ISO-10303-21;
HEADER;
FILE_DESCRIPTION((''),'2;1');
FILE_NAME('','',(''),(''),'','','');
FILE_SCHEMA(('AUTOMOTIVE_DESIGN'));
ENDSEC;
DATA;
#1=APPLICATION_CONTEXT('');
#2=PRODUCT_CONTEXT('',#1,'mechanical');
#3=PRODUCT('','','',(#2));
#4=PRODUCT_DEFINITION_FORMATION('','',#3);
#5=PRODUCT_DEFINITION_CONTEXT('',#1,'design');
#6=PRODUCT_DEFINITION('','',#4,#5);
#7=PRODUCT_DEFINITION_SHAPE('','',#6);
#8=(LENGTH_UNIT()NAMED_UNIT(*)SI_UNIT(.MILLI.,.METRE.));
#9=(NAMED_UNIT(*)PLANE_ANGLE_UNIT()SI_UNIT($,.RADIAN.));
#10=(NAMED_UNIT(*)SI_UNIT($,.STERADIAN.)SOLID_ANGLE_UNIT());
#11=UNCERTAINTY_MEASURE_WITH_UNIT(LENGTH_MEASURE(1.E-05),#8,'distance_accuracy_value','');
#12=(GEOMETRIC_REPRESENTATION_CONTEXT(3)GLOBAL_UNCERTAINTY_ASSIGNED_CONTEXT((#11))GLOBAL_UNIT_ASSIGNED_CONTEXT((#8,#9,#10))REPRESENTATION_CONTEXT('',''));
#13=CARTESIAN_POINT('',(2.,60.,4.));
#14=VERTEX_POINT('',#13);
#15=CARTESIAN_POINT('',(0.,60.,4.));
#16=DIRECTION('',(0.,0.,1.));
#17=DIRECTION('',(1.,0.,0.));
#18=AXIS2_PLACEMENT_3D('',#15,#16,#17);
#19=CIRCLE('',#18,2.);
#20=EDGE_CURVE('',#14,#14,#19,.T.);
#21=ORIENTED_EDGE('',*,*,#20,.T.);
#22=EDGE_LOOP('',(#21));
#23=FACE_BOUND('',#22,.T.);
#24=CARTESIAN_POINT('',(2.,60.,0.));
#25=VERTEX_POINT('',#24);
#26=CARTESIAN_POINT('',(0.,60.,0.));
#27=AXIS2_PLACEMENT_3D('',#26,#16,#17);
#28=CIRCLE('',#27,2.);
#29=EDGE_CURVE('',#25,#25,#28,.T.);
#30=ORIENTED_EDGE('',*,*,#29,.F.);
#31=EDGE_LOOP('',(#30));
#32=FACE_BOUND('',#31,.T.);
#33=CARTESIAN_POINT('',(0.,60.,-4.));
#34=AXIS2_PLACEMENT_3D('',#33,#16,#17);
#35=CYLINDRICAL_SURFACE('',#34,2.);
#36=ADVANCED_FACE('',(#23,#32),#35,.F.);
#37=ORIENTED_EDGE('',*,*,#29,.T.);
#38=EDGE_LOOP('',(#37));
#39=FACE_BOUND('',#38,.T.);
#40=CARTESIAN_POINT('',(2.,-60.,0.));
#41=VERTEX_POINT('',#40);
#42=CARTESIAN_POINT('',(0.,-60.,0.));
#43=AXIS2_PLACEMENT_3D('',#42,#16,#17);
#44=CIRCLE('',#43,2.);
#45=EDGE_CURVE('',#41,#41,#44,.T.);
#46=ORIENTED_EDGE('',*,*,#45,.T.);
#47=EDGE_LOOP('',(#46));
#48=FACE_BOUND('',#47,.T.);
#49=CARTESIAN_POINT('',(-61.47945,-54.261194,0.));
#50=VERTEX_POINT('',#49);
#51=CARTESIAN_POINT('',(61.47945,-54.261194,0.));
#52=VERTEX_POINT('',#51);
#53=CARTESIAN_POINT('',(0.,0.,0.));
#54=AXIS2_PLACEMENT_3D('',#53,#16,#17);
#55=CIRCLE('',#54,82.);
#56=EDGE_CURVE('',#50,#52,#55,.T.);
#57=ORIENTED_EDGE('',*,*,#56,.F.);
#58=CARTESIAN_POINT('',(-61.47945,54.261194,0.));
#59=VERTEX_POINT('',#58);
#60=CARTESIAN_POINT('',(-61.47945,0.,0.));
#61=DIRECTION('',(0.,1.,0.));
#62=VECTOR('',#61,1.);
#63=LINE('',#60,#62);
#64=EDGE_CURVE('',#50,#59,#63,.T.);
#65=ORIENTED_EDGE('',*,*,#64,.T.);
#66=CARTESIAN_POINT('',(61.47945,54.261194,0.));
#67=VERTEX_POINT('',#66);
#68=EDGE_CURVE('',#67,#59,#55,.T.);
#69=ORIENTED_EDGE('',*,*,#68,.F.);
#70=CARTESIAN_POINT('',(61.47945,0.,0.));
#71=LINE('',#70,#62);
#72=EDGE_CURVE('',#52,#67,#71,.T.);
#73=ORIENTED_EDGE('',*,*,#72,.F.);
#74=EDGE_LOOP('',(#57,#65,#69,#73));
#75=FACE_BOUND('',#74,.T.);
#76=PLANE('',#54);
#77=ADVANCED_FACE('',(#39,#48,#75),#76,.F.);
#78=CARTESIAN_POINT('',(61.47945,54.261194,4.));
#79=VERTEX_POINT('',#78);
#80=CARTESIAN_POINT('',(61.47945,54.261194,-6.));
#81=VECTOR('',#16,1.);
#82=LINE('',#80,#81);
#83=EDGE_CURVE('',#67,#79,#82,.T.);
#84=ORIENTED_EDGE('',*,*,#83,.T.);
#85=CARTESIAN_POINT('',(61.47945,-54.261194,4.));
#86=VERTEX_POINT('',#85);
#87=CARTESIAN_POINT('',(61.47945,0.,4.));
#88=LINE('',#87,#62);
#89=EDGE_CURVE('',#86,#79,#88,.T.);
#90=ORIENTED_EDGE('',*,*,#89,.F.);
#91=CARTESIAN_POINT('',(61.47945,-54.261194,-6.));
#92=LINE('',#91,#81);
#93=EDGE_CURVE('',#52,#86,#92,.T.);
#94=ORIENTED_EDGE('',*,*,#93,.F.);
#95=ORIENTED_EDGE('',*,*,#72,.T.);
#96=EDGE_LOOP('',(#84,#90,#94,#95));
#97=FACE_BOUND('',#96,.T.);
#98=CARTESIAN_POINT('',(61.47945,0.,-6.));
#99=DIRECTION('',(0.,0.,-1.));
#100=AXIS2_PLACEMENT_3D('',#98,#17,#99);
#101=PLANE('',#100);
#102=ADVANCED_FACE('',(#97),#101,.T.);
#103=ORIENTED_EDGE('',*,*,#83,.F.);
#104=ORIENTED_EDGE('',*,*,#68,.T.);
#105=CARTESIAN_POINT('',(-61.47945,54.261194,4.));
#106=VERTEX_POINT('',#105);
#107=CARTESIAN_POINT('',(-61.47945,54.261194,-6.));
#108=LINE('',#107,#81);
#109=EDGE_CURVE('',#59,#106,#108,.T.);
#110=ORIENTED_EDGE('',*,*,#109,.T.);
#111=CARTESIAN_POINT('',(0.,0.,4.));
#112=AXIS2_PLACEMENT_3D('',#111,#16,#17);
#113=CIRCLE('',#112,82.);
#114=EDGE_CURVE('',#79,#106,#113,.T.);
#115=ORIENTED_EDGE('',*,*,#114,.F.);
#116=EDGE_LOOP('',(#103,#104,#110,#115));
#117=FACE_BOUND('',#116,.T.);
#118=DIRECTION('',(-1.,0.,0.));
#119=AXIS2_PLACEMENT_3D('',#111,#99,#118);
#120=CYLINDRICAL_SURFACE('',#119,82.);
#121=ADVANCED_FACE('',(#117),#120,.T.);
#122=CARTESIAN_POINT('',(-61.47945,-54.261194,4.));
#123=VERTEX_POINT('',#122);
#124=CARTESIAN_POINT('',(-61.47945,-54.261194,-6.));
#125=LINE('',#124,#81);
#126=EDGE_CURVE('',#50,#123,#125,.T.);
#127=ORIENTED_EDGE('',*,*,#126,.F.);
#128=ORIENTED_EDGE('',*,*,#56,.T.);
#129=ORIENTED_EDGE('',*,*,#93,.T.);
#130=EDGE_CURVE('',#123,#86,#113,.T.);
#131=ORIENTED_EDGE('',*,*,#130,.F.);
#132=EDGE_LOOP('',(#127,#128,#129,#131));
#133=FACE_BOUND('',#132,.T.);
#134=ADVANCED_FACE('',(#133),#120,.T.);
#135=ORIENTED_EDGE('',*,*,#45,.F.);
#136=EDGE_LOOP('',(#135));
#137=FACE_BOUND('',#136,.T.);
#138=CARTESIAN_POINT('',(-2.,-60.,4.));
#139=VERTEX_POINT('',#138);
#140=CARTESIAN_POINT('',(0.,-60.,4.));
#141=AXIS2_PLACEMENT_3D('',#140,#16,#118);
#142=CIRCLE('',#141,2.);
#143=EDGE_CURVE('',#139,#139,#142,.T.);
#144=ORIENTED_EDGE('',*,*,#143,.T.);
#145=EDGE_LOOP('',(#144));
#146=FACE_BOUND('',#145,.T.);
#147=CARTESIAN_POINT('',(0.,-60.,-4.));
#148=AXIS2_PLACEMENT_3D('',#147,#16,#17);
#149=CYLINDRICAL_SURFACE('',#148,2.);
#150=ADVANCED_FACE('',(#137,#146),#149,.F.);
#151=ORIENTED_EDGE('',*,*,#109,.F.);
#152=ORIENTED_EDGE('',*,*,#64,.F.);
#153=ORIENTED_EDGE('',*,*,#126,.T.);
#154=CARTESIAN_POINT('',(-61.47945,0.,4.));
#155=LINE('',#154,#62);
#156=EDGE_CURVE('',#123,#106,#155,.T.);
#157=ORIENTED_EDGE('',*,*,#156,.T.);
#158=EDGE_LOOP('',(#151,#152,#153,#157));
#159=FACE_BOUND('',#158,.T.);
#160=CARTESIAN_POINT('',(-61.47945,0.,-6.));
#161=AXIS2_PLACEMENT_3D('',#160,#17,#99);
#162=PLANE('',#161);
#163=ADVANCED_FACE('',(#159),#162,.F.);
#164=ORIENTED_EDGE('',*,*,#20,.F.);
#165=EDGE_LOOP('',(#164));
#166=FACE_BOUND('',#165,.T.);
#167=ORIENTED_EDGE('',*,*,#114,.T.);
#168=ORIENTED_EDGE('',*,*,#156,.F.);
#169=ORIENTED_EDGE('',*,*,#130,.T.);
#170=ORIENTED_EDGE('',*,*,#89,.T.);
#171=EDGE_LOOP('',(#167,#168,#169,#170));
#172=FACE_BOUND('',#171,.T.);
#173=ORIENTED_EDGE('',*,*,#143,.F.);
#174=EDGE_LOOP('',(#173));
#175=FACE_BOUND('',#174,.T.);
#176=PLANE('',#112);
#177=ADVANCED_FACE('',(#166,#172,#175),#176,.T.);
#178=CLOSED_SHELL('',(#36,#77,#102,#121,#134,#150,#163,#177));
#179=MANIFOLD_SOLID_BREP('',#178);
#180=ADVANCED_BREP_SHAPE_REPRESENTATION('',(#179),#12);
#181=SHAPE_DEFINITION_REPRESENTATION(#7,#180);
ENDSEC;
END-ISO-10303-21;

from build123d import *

# Parameters (mm, degrees)
SKETCH1_R               = 82
BOSS_EXTRUDE1_DEPTH     = 4
SKETCH2_R               = 2
CUT_EXTRUDE1_DEPTH      = 8
CIRPATTERN1_COUNT       = 2
CUT_EXTRUDE2_DEPTH      = 117.034477635
CUT_EXTRUDE2_DEPTH_BACK = 10


with BuildPart() as part:
    # Sketch1 → Boss-Extrude1 (new body)
    with BuildSketch(Plane.XY):
        Circle(SKETCH1_R)
    extrude(amount=BOSS_EXTRUDE1_DEPTH)

    # Sketch2 → Cut-Extrude1 (cut)
    with BuildSketch(Plane.XY.offset(4)):
        with Locations((0, 60)):
            Circle(SKETCH2_R)
    cut_extrude1 = extrude(amount=-CUT_EXTRUDE1_DEPTH, mode=Mode.SUBTRACT)

    # CirPattern1: Cut-Extrude1 ×2 about axis
    cirpattern1_axis = Axis((0, 0, 0), (0, 0, 1))
    for i in range(1, CIRPATTERN1_COUNT):
        add(cut_extrude1.rotate(cirpattern1_axis, i * 360 / CIRPATTERN1_COUNT), mode=Mode.SUBTRACT)

    # Sketch3 → Cut-Extrude2 (cut, two sides: drawn at the far end of the back side and taken through both)
    with BuildSketch(Plane.XY.offset(4).offset(-CUT_EXTRUDE2_DEPTH_BACK)):
        with BuildLine():
            ThreePointArc((-61.479450169, 54.261194301), (-82, 0), (-61.479450169, -54.261194301))
            Line((-61.479450169, -54.261194301), (-61.479450169, 54.261194301))
        make_face()
        with BuildLine():
            Line((61.479450169, 54.261194301), (61.479450169, 31.325344482))
            ThreePointArc((61.479450169, 31.325344482), (67.093524507, 16.107730106), (69, 0))
            Line((69, 0), (82, 0))
            ThreePointArc((82, 0), (76.698484059, 29.005905314), (61.479450169, 54.261194301))
        make_face()
        with BuildLine():
            Line((61.479450169, 0), (61.479450169, -31.325344482))
            ThreePointArc((61.479450169, -31.325344482), (67.093524507, -16.107730106), (69, 0))
            Line((69, 0), (61.479450169, 0))
        make_face()
        with BuildLine():
            ThreePointArc((69, 0), (67.093524507, 16.107730106), (61.479450169, 31.325344482))
            Line((61.479450169, 31.325344482), (61.479450169, 0))
            Line((61.479450169, 0), (69, 0))
        make_face()
        with BuildLine():
            ThreePointArc((69, 0), (67.093524507, -16.107730106), (61.479450169, -31.325344482))
            Line((61.479450169, -31.325344482), (73.062534983, -37.227220979))
            ThreePointArc((73.062534983, -37.227220979), (79.734333473, -19.142519836), (82, 0))
            Line((82, 0), (69, 0))
        make_face()
        with BuildLine():
            Line((73.062534983, -37.227220979), (61.479450169, -31.325344482))
            Line((61.479450169, -31.325344482), (61.479450169, -54.261194301))
            ThreePointArc((61.479450169, -54.261194301), (67.808004719, -46.109375359), (73.062534983, -37.227220979))
        make_face()
    extrude(amount=CUT_EXTRUDE2_DEPTH + CUT_EXTRUDE2_DEPTH_BACK, mode=Mode.SUBTRACT)


solid = part.part
